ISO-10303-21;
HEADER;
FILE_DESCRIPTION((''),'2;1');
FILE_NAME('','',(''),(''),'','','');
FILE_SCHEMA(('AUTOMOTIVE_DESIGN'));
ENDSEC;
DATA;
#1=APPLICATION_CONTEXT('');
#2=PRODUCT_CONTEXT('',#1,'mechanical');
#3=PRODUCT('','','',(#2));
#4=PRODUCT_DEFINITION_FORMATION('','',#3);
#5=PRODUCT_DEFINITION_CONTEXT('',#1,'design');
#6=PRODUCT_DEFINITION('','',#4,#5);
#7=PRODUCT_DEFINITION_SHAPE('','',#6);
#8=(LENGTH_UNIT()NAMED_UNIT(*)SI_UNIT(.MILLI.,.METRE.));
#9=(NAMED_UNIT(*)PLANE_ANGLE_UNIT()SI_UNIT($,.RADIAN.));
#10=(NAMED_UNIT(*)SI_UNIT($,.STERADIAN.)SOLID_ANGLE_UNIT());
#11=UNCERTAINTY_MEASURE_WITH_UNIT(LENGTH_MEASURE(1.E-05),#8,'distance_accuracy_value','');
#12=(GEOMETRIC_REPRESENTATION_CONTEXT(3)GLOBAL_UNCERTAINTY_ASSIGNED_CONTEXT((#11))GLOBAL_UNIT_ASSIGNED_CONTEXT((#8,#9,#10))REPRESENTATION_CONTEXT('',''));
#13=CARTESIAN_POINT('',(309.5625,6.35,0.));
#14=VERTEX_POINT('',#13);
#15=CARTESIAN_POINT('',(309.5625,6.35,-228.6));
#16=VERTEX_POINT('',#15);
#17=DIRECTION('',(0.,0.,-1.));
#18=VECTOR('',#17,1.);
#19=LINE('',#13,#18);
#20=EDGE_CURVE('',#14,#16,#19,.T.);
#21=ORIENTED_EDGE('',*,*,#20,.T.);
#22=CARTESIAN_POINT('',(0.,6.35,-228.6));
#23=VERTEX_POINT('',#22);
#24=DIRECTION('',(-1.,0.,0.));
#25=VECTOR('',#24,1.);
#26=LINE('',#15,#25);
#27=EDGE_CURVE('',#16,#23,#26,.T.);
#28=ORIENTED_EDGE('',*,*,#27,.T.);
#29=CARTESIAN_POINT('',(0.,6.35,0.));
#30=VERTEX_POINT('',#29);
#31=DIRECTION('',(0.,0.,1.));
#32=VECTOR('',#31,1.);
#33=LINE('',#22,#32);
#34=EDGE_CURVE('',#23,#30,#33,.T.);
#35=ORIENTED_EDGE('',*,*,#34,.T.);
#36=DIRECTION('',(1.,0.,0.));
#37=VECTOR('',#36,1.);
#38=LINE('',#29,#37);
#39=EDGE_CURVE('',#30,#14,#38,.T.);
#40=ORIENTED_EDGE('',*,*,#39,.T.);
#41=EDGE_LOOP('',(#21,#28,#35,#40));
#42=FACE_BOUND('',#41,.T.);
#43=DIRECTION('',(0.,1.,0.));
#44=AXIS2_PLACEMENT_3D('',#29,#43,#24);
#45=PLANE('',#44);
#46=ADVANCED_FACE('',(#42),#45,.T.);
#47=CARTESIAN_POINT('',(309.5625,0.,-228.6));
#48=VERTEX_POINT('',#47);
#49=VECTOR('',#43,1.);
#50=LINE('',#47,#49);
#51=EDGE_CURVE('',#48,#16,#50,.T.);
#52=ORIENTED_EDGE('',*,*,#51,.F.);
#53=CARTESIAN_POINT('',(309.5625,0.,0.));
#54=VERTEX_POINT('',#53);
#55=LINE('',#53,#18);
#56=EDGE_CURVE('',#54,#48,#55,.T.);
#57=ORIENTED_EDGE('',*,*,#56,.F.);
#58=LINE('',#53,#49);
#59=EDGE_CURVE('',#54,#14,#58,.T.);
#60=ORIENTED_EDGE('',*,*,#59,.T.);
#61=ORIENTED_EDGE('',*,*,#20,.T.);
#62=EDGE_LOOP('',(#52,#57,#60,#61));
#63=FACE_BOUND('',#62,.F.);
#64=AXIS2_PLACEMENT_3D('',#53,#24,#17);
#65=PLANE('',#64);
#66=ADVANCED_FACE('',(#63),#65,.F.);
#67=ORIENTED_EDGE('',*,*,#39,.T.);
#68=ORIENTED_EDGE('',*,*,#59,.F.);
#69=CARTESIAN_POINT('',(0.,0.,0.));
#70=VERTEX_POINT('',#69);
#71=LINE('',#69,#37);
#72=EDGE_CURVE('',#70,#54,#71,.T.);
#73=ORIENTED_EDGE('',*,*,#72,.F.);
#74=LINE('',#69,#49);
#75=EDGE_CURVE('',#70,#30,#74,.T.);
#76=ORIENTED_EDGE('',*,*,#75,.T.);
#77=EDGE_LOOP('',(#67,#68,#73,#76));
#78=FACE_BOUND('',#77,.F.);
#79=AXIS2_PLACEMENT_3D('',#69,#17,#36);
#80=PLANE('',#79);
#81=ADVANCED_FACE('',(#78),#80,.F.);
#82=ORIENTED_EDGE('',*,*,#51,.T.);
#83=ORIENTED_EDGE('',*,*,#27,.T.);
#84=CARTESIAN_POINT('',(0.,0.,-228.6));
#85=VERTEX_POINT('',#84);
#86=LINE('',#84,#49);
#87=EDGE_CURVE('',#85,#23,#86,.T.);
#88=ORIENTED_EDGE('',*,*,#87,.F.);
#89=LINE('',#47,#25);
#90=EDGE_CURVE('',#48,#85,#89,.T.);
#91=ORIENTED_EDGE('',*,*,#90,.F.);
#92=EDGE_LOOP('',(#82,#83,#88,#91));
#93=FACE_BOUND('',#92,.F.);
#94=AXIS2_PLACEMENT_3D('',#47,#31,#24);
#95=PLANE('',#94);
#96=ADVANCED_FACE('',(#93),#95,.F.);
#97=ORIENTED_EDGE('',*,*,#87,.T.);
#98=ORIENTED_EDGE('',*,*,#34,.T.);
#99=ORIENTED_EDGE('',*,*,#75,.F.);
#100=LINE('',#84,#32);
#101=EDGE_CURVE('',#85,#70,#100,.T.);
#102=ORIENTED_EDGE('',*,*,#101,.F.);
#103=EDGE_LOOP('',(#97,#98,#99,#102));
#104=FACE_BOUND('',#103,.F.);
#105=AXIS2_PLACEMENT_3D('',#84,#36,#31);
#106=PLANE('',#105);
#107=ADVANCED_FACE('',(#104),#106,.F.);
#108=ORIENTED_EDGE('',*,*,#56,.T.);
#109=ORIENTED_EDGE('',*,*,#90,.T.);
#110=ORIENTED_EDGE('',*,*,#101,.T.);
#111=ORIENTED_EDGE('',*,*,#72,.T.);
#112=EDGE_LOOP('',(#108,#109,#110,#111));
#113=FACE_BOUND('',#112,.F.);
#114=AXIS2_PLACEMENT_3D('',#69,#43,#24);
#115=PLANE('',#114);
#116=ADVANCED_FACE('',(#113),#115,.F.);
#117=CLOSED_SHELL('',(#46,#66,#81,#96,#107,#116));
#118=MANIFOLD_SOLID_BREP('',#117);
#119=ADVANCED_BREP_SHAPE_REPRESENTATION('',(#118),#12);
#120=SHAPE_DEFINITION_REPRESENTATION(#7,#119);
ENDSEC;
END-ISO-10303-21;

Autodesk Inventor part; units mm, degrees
ref_plane "YZ Plane" through (0, 0, 0) normal (1, 0, 0) x (0, 1, 0)
ref_plane "XZ Plane" through (0, 0, 0) normal (0, 1, 0) x (-1, 0, 0)
ref_plane "XY Plane" through (0, 0, 0) normal (0, 0, 1) x (1, 0, 0)
sketch "Sketch1" plane through (0, 0, 0) normal (0, 1, 0) x (-1, 0, 0)
  line L0 (0, 0) -> (-309.5625, 0)
  line L1 (-309.5625, 0) -> (-309.5625, -228.6)
  line L2 (-309.5625, -228.6) -> (0, -228.6)
  line L3 (0, -228.6) -> (0, 0)
  dimension "d0" = 309.5625
  dimension "d1" = 228.6
  dimension "d2" = 309.5625
extrude "Extrusion1" add sketch "Sketch1" along normal blind 6.35
properties part number "BottomHalfofSides_Ocampo"
